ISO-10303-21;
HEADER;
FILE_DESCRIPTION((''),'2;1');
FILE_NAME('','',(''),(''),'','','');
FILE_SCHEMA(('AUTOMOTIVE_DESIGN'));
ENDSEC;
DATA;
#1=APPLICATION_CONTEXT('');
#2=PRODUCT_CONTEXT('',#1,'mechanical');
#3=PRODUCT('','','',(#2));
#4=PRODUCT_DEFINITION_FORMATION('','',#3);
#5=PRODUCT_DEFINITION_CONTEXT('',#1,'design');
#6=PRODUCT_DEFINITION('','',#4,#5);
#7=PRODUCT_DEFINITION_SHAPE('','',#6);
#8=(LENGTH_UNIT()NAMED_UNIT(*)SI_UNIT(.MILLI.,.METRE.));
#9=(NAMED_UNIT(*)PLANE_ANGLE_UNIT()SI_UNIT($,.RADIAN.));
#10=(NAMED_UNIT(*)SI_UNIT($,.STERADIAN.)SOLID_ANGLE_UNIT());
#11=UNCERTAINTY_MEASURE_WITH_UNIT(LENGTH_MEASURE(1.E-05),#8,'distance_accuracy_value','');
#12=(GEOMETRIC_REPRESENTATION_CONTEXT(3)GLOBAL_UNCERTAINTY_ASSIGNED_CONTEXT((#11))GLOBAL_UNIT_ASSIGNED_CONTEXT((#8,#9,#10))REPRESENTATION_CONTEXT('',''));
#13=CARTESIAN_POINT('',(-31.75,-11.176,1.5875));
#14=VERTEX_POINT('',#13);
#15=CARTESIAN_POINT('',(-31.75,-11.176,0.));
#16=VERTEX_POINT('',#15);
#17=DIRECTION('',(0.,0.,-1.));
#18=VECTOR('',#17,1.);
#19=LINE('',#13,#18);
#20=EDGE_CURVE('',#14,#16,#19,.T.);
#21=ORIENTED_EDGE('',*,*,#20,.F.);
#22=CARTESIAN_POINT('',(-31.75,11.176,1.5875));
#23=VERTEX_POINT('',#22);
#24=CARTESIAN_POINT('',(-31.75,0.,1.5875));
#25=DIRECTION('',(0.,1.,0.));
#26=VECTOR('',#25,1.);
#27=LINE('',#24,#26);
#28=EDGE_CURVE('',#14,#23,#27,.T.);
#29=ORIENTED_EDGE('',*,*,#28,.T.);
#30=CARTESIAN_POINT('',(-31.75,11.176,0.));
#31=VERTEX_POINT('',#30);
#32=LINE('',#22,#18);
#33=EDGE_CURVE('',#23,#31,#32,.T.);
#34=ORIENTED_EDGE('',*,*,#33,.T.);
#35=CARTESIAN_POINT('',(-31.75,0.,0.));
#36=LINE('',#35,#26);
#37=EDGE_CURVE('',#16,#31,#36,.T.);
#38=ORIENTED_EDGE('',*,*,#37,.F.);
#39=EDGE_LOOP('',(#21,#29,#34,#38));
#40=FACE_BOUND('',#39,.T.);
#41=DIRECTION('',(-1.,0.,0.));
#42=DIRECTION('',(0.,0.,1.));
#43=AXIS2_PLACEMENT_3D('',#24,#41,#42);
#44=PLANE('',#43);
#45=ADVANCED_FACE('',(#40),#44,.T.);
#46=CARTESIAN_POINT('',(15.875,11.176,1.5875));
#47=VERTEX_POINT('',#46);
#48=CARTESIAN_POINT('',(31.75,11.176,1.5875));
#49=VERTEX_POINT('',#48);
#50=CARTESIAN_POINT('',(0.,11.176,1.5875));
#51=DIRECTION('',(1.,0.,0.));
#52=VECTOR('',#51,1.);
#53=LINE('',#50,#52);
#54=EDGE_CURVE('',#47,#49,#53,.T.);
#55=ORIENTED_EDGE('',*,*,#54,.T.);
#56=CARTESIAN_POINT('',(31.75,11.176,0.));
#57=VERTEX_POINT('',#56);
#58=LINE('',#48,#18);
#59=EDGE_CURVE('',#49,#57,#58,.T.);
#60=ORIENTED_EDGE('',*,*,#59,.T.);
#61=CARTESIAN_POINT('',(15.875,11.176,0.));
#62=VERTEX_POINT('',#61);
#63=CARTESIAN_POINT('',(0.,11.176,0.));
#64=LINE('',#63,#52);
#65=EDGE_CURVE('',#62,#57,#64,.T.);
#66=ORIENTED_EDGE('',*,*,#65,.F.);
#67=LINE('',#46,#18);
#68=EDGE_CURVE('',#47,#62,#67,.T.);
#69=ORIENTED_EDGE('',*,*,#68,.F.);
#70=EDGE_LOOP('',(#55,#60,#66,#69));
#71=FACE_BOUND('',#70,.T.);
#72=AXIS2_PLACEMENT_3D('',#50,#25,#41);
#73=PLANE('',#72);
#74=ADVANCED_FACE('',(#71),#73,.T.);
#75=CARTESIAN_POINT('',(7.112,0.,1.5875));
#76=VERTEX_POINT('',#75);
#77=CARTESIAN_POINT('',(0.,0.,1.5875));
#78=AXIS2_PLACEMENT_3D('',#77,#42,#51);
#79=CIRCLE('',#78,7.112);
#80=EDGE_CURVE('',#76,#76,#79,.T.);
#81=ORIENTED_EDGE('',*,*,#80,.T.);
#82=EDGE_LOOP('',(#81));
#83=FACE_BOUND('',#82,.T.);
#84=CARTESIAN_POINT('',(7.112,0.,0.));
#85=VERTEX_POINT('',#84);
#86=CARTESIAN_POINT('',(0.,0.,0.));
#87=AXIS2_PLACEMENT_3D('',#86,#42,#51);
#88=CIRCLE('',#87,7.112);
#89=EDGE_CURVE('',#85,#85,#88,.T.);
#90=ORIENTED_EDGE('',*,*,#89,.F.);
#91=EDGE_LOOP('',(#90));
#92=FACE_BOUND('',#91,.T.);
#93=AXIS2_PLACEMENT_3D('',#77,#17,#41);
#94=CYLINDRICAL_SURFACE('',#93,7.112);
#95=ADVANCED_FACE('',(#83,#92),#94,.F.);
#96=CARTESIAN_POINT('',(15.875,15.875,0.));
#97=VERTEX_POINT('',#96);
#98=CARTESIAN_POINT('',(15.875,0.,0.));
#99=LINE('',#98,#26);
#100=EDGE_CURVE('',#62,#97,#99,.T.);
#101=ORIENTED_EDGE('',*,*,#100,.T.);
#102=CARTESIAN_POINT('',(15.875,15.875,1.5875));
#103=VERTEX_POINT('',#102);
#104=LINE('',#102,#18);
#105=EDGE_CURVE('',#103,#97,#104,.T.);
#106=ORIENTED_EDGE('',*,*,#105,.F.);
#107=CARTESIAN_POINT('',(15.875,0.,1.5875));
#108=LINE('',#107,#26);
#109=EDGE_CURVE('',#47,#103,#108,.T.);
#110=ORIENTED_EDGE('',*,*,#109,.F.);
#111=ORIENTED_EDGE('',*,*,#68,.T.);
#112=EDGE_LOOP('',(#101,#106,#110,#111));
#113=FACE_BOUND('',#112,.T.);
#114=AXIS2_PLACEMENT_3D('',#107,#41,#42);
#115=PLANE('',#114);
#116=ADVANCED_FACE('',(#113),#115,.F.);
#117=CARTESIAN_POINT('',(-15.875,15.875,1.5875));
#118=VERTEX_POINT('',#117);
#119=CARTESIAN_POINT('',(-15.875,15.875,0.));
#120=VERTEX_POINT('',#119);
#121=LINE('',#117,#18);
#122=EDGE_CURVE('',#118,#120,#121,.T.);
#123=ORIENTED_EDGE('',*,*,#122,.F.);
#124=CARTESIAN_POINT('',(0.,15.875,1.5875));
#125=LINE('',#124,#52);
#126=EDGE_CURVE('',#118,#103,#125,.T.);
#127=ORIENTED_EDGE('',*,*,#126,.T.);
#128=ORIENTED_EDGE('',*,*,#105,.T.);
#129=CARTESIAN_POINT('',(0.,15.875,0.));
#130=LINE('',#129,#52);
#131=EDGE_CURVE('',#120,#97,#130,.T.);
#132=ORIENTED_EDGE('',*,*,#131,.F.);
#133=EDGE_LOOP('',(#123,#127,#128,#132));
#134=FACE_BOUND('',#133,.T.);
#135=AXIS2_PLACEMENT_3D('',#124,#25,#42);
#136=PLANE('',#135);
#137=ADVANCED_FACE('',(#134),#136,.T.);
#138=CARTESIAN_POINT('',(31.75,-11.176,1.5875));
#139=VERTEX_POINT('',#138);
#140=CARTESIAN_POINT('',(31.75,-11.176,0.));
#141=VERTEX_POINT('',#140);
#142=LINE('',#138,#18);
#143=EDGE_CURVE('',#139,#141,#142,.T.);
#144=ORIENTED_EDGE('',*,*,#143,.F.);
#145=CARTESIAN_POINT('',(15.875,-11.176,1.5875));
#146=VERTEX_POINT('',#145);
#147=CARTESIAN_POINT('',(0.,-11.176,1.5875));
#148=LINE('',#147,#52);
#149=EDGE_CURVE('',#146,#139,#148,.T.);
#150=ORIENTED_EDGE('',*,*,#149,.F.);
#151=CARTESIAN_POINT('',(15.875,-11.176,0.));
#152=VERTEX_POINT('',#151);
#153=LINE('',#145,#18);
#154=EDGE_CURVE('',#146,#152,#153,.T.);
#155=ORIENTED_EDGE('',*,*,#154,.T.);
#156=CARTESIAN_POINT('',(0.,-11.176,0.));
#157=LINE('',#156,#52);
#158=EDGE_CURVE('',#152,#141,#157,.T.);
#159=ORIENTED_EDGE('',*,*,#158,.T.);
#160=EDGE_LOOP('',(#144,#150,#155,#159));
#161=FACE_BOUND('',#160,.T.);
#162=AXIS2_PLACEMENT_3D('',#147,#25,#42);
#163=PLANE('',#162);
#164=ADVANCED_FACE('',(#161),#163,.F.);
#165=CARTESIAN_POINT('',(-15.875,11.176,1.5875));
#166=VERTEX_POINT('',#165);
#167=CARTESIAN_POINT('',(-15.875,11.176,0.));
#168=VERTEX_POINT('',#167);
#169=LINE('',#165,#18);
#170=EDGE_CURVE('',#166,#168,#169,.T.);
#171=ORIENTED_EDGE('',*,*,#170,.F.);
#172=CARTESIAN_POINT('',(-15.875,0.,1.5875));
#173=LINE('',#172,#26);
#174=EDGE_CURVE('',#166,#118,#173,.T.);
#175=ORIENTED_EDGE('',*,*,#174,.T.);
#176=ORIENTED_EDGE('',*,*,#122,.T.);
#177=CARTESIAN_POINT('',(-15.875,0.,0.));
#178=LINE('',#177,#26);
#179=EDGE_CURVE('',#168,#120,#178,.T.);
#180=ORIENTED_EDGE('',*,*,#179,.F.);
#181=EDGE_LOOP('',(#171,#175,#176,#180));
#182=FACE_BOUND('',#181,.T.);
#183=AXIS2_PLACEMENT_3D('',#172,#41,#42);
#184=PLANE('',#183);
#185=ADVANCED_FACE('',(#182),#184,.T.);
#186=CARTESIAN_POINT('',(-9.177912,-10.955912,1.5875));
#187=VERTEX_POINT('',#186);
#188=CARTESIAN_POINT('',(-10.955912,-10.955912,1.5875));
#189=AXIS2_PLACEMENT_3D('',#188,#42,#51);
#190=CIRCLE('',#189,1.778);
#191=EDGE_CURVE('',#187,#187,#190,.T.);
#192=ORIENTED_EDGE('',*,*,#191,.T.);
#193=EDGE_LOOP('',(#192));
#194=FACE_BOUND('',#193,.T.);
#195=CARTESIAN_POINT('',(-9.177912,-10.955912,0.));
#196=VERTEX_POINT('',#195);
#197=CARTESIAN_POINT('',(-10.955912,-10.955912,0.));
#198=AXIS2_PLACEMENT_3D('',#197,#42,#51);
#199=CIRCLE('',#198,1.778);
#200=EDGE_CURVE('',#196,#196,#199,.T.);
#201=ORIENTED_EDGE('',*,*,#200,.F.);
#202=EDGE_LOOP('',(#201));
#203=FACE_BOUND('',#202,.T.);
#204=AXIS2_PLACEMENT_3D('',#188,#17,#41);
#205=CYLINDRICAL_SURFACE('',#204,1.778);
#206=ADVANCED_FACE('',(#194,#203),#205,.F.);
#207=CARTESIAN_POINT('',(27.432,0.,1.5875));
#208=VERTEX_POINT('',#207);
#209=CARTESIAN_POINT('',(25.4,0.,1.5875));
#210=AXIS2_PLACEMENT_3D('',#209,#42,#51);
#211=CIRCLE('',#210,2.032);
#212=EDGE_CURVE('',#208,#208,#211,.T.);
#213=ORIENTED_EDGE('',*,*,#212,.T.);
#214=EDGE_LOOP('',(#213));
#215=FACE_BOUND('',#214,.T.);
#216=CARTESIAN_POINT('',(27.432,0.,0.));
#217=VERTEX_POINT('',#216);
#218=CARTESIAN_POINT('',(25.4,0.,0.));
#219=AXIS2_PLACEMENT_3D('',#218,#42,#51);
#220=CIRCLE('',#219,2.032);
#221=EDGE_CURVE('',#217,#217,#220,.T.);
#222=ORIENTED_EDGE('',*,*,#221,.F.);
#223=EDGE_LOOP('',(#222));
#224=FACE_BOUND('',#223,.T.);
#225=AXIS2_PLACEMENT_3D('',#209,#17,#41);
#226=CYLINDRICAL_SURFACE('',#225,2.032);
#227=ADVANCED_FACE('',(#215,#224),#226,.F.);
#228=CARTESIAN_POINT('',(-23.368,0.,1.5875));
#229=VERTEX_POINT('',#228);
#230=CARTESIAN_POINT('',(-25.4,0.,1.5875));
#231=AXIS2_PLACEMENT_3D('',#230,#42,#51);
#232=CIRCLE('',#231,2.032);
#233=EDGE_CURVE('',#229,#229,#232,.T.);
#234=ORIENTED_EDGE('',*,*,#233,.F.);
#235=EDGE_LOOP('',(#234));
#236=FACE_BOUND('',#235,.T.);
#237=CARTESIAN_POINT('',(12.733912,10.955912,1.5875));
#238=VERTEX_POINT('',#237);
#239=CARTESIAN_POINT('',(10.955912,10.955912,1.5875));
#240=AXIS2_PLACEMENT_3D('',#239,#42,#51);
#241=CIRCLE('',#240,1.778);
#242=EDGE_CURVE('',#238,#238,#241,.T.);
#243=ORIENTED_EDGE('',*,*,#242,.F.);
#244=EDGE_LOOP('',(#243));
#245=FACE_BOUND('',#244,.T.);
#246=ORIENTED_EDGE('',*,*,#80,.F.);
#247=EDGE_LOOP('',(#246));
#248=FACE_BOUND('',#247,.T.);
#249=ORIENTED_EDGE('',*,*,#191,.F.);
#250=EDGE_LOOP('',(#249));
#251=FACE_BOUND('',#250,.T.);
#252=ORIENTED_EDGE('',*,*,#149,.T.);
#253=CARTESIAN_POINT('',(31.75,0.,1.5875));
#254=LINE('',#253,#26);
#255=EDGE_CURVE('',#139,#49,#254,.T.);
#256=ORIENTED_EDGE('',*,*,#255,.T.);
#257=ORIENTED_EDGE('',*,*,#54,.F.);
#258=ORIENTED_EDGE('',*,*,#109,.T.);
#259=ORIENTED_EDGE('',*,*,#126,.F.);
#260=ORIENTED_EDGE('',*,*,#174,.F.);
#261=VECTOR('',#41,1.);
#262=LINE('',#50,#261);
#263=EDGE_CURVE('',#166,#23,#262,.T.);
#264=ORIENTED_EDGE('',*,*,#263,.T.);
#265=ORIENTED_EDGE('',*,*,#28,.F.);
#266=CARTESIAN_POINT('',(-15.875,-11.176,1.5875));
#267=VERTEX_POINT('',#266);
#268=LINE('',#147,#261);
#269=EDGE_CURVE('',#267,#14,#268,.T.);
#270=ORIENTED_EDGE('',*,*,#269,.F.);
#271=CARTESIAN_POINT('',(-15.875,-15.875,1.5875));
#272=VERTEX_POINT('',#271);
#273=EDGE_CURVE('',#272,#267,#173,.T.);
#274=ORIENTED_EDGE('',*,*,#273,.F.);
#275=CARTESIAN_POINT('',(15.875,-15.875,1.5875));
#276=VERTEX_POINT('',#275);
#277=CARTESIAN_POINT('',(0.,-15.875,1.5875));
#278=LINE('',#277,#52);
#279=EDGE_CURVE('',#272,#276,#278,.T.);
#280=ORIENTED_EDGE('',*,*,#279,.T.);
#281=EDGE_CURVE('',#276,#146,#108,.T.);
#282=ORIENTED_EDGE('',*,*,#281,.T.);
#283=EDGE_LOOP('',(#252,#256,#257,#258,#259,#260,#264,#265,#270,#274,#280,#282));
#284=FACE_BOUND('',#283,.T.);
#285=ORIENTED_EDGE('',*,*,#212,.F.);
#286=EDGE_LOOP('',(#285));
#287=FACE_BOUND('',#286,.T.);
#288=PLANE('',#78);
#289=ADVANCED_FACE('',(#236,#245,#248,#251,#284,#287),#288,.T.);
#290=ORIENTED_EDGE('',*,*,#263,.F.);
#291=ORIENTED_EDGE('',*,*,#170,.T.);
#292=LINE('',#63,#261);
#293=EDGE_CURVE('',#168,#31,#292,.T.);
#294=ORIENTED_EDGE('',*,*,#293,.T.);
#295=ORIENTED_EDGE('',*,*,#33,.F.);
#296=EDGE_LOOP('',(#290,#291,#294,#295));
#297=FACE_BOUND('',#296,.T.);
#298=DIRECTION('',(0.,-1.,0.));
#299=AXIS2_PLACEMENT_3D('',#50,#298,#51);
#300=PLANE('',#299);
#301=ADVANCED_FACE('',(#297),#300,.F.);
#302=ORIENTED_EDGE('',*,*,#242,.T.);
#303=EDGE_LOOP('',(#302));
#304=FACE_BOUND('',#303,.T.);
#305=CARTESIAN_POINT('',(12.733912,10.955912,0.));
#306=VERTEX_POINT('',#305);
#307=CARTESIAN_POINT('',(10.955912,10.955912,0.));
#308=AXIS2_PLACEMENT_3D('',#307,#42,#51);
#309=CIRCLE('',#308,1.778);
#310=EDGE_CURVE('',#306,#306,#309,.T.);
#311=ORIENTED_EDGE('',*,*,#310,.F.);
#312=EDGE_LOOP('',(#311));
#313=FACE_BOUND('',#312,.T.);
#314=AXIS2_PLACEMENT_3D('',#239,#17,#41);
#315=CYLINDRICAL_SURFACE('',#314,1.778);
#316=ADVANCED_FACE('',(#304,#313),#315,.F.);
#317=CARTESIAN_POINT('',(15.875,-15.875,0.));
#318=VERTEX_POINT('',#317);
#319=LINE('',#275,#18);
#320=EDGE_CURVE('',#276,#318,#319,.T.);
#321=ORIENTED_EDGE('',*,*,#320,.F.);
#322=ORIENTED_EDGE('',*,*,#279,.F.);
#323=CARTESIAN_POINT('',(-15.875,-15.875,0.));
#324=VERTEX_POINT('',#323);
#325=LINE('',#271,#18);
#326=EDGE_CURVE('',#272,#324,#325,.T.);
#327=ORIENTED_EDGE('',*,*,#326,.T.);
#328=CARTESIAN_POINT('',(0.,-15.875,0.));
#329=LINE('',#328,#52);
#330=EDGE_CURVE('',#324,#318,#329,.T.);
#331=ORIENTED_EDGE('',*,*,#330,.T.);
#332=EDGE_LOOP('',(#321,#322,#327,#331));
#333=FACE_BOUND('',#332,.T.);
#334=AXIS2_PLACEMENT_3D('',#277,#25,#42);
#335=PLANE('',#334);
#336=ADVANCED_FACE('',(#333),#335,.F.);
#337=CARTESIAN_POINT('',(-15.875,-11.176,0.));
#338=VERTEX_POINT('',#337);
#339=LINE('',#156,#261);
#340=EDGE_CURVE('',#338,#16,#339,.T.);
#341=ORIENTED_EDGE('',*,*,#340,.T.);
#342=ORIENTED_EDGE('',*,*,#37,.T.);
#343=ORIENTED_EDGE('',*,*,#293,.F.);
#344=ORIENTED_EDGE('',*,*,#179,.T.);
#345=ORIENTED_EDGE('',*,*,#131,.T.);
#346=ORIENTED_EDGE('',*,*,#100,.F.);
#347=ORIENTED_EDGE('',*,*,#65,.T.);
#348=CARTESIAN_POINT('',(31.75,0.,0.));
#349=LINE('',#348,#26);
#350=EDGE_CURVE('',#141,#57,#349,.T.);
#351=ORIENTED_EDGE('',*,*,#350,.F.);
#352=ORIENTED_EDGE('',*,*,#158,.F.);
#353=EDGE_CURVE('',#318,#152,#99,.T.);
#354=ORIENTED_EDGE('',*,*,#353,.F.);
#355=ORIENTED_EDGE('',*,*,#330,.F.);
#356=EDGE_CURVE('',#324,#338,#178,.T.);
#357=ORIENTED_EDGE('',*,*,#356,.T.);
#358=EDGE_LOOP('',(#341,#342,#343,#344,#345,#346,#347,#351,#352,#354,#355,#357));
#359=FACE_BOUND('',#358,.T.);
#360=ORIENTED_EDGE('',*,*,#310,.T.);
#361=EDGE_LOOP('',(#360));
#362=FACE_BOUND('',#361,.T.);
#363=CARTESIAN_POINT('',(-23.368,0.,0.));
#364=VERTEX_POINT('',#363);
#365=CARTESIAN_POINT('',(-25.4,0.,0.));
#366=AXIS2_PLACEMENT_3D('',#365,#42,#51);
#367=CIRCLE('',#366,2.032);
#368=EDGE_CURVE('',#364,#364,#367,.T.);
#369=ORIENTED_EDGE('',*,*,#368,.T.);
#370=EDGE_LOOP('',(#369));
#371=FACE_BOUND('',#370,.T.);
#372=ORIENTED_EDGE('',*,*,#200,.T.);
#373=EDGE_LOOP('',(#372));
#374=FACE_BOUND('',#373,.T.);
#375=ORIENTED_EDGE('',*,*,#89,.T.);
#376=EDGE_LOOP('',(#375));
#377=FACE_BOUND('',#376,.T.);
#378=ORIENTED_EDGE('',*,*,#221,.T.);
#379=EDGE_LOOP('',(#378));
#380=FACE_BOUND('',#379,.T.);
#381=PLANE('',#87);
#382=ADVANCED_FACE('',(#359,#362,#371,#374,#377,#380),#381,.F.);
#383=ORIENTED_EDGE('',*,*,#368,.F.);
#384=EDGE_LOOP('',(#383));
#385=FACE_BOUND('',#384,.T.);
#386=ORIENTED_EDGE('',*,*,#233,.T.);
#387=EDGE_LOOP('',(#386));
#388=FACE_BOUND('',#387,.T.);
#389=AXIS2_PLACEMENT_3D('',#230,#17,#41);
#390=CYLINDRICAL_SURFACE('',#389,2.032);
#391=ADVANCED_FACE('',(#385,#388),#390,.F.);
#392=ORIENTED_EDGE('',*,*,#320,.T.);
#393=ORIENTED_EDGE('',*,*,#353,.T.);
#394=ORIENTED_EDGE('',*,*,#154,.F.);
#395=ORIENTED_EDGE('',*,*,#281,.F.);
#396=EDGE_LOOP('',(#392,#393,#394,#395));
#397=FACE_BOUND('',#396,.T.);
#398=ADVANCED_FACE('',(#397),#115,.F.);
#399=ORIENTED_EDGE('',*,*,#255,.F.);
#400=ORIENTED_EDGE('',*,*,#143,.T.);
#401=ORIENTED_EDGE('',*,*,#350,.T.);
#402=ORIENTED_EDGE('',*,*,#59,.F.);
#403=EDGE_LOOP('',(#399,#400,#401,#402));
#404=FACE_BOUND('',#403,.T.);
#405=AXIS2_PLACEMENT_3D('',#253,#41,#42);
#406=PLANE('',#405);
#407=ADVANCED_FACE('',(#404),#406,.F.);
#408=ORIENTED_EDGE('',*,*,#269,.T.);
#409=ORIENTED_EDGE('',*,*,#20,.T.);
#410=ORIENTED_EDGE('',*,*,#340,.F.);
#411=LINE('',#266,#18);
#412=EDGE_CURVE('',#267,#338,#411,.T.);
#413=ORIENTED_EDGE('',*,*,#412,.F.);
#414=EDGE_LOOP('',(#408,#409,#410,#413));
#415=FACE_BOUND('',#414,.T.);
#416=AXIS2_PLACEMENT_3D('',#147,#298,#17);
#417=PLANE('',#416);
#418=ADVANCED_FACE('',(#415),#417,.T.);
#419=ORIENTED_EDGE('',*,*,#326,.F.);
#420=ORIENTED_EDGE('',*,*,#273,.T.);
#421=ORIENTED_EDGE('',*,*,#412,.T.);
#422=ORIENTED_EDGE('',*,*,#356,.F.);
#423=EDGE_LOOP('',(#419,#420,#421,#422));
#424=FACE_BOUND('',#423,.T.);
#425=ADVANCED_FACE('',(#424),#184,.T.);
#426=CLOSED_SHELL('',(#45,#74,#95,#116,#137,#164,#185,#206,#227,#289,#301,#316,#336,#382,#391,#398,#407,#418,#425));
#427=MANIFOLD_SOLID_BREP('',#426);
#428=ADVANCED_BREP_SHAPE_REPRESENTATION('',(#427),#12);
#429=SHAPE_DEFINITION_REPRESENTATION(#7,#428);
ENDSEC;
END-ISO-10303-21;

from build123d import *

# Parameters (mm, degrees)
SKETCH1_W           = 15.875
SKETCH1_H           = 22.352
SKETCH1_R           = 2.032
SKETCH1_W_2         = 31.75
SKETCH1_H_2         = 31.75
SKETCH1_R_2         = 7.112
SKETCH1_R_3         = 1.778
BOSS_EXTRUDE1_DEPTH = 1.5875


with BuildPart() as part:
    # Sketch1 → Boss-Extrude1 (new body)
    with BuildSketch(Plane.XY):
        with Locations((-23.8125, 0)):
            Rectangle(SKETCH1_W, SKETCH1_H)
        with Locations((-25.4, 0)):
            Circle(SKETCH1_R, mode=Mode.SUBTRACT)
        Rectangle(SKETCH1_W_2, SKETCH1_H_2)
        Circle(SKETCH1_R_2, mode=Mode.SUBTRACT)
        with Locations((-10.955912468, -10.955912468)):
            Circle(SKETCH1_R_3, mode=Mode.SUBTRACT)
        with Locations((10.955912468, 10.955912468)):
            Circle(SKETCH1_R_3, mode=Mode.SUBTRACT)
        with Locations((23.8125, 0)):
            Rectangle(SKETCH1_W, SKETCH1_H)
        with Locations((25.4, 0)):
            Circle(SKETCH1_R, mode=Mode.SUBTRACT)
    extrude(amount=BOSS_EXTRUDE1_DEPTH)


solid = part.part
